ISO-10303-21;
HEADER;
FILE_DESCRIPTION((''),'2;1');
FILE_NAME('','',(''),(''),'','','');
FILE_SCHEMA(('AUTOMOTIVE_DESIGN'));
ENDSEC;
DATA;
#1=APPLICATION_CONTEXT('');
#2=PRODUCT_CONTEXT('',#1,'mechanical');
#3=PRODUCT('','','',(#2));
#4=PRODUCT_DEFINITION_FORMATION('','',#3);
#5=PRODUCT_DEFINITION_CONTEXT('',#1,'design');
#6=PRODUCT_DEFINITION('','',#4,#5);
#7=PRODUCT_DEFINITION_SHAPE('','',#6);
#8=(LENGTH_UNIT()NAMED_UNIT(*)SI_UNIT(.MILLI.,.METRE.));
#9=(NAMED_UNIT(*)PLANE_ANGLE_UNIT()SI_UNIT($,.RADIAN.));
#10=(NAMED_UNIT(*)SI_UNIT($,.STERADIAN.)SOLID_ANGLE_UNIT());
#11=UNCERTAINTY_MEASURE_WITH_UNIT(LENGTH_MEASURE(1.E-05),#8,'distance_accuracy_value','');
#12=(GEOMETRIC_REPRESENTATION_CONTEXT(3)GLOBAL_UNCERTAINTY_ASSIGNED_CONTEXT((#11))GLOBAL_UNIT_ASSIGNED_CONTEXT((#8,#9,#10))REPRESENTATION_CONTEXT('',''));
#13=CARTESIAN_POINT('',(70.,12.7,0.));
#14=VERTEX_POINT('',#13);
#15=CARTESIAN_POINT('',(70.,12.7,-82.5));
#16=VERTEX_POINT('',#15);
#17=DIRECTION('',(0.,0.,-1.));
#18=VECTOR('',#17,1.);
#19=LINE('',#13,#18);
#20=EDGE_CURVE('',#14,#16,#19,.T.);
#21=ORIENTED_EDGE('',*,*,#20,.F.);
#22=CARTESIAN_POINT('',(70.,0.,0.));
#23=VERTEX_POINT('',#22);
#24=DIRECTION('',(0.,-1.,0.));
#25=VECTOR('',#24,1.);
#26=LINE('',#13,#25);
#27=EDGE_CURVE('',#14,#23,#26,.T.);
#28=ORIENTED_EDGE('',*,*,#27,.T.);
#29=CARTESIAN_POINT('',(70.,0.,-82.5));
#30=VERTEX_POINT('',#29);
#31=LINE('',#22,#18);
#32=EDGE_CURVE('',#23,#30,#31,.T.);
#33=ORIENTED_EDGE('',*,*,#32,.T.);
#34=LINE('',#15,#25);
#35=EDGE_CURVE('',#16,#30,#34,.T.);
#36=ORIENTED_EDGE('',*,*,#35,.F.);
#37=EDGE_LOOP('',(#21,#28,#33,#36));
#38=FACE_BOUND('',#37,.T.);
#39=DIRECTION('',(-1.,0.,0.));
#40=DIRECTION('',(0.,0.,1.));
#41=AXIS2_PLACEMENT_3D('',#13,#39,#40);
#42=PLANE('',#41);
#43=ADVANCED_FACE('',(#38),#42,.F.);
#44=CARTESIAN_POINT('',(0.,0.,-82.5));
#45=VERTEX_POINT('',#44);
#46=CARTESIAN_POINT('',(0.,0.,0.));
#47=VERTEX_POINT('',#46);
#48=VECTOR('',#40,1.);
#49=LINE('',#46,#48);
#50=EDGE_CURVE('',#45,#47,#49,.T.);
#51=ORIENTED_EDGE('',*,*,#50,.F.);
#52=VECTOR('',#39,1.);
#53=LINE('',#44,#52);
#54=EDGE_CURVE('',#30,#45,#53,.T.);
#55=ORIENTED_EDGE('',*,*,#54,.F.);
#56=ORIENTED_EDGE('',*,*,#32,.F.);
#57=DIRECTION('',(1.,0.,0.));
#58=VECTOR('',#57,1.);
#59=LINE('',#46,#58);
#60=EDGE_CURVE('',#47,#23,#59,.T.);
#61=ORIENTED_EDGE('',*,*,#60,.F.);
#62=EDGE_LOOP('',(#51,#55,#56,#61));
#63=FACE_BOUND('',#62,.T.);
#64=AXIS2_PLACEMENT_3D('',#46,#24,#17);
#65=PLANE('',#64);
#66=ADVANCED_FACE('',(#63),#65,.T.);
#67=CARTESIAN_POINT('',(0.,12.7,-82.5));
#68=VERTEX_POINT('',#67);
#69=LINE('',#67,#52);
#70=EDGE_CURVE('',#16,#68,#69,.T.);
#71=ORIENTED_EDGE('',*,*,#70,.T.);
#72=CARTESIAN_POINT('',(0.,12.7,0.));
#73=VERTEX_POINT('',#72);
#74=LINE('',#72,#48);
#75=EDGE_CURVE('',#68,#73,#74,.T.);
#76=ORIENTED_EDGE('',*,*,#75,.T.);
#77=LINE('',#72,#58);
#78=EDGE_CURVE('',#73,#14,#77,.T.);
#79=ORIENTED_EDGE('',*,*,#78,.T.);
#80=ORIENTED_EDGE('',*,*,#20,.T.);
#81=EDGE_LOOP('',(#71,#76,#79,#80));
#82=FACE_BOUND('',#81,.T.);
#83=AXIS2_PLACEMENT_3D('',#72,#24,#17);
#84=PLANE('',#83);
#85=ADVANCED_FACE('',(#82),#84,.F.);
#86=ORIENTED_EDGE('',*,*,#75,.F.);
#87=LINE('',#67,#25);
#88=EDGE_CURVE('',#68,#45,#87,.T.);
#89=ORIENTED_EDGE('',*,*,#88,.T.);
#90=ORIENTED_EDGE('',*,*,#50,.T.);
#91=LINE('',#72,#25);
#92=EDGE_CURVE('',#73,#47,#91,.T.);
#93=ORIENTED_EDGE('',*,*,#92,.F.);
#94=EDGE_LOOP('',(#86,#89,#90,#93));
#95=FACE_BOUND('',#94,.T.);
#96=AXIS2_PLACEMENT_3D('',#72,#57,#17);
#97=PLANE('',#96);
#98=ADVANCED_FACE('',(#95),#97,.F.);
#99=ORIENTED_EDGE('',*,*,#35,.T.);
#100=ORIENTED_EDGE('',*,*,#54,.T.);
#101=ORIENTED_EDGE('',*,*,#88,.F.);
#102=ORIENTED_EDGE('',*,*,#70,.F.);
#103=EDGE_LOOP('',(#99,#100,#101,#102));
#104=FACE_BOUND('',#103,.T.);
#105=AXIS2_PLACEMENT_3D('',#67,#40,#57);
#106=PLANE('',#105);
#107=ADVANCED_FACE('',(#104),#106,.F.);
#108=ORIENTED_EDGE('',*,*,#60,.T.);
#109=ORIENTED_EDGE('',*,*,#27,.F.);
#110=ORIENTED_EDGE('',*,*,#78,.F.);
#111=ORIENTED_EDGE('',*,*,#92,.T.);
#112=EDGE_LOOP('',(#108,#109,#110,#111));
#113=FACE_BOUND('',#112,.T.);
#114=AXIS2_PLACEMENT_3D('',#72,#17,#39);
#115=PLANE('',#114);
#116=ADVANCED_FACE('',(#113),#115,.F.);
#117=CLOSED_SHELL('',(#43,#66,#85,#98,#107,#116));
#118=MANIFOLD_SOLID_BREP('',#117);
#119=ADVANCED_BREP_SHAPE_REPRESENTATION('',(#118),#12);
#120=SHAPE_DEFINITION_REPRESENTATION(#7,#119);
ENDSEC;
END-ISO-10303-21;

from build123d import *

# Parameters (mm, degrees)
SKETCH1_W           = 70
SKETCH1_H           = 82.5
BOSS_EXTRUDE1_DEPTH = 12.7


with BuildPart() as part:
    # Sketch1 → Boss-Extrude1 (new body)
    with BuildSketch(Plane(origin=(0, 0, 0), x_dir=(1, 0, 0), z_dir=(0, 1, 0))):
        with Locations((35, 41.25)):
            Rectangle(SKETCH1_W, SKETCH1_H)
    extrude(amount=BOSS_EXTRUDE1_DEPTH)


solid = part.part
